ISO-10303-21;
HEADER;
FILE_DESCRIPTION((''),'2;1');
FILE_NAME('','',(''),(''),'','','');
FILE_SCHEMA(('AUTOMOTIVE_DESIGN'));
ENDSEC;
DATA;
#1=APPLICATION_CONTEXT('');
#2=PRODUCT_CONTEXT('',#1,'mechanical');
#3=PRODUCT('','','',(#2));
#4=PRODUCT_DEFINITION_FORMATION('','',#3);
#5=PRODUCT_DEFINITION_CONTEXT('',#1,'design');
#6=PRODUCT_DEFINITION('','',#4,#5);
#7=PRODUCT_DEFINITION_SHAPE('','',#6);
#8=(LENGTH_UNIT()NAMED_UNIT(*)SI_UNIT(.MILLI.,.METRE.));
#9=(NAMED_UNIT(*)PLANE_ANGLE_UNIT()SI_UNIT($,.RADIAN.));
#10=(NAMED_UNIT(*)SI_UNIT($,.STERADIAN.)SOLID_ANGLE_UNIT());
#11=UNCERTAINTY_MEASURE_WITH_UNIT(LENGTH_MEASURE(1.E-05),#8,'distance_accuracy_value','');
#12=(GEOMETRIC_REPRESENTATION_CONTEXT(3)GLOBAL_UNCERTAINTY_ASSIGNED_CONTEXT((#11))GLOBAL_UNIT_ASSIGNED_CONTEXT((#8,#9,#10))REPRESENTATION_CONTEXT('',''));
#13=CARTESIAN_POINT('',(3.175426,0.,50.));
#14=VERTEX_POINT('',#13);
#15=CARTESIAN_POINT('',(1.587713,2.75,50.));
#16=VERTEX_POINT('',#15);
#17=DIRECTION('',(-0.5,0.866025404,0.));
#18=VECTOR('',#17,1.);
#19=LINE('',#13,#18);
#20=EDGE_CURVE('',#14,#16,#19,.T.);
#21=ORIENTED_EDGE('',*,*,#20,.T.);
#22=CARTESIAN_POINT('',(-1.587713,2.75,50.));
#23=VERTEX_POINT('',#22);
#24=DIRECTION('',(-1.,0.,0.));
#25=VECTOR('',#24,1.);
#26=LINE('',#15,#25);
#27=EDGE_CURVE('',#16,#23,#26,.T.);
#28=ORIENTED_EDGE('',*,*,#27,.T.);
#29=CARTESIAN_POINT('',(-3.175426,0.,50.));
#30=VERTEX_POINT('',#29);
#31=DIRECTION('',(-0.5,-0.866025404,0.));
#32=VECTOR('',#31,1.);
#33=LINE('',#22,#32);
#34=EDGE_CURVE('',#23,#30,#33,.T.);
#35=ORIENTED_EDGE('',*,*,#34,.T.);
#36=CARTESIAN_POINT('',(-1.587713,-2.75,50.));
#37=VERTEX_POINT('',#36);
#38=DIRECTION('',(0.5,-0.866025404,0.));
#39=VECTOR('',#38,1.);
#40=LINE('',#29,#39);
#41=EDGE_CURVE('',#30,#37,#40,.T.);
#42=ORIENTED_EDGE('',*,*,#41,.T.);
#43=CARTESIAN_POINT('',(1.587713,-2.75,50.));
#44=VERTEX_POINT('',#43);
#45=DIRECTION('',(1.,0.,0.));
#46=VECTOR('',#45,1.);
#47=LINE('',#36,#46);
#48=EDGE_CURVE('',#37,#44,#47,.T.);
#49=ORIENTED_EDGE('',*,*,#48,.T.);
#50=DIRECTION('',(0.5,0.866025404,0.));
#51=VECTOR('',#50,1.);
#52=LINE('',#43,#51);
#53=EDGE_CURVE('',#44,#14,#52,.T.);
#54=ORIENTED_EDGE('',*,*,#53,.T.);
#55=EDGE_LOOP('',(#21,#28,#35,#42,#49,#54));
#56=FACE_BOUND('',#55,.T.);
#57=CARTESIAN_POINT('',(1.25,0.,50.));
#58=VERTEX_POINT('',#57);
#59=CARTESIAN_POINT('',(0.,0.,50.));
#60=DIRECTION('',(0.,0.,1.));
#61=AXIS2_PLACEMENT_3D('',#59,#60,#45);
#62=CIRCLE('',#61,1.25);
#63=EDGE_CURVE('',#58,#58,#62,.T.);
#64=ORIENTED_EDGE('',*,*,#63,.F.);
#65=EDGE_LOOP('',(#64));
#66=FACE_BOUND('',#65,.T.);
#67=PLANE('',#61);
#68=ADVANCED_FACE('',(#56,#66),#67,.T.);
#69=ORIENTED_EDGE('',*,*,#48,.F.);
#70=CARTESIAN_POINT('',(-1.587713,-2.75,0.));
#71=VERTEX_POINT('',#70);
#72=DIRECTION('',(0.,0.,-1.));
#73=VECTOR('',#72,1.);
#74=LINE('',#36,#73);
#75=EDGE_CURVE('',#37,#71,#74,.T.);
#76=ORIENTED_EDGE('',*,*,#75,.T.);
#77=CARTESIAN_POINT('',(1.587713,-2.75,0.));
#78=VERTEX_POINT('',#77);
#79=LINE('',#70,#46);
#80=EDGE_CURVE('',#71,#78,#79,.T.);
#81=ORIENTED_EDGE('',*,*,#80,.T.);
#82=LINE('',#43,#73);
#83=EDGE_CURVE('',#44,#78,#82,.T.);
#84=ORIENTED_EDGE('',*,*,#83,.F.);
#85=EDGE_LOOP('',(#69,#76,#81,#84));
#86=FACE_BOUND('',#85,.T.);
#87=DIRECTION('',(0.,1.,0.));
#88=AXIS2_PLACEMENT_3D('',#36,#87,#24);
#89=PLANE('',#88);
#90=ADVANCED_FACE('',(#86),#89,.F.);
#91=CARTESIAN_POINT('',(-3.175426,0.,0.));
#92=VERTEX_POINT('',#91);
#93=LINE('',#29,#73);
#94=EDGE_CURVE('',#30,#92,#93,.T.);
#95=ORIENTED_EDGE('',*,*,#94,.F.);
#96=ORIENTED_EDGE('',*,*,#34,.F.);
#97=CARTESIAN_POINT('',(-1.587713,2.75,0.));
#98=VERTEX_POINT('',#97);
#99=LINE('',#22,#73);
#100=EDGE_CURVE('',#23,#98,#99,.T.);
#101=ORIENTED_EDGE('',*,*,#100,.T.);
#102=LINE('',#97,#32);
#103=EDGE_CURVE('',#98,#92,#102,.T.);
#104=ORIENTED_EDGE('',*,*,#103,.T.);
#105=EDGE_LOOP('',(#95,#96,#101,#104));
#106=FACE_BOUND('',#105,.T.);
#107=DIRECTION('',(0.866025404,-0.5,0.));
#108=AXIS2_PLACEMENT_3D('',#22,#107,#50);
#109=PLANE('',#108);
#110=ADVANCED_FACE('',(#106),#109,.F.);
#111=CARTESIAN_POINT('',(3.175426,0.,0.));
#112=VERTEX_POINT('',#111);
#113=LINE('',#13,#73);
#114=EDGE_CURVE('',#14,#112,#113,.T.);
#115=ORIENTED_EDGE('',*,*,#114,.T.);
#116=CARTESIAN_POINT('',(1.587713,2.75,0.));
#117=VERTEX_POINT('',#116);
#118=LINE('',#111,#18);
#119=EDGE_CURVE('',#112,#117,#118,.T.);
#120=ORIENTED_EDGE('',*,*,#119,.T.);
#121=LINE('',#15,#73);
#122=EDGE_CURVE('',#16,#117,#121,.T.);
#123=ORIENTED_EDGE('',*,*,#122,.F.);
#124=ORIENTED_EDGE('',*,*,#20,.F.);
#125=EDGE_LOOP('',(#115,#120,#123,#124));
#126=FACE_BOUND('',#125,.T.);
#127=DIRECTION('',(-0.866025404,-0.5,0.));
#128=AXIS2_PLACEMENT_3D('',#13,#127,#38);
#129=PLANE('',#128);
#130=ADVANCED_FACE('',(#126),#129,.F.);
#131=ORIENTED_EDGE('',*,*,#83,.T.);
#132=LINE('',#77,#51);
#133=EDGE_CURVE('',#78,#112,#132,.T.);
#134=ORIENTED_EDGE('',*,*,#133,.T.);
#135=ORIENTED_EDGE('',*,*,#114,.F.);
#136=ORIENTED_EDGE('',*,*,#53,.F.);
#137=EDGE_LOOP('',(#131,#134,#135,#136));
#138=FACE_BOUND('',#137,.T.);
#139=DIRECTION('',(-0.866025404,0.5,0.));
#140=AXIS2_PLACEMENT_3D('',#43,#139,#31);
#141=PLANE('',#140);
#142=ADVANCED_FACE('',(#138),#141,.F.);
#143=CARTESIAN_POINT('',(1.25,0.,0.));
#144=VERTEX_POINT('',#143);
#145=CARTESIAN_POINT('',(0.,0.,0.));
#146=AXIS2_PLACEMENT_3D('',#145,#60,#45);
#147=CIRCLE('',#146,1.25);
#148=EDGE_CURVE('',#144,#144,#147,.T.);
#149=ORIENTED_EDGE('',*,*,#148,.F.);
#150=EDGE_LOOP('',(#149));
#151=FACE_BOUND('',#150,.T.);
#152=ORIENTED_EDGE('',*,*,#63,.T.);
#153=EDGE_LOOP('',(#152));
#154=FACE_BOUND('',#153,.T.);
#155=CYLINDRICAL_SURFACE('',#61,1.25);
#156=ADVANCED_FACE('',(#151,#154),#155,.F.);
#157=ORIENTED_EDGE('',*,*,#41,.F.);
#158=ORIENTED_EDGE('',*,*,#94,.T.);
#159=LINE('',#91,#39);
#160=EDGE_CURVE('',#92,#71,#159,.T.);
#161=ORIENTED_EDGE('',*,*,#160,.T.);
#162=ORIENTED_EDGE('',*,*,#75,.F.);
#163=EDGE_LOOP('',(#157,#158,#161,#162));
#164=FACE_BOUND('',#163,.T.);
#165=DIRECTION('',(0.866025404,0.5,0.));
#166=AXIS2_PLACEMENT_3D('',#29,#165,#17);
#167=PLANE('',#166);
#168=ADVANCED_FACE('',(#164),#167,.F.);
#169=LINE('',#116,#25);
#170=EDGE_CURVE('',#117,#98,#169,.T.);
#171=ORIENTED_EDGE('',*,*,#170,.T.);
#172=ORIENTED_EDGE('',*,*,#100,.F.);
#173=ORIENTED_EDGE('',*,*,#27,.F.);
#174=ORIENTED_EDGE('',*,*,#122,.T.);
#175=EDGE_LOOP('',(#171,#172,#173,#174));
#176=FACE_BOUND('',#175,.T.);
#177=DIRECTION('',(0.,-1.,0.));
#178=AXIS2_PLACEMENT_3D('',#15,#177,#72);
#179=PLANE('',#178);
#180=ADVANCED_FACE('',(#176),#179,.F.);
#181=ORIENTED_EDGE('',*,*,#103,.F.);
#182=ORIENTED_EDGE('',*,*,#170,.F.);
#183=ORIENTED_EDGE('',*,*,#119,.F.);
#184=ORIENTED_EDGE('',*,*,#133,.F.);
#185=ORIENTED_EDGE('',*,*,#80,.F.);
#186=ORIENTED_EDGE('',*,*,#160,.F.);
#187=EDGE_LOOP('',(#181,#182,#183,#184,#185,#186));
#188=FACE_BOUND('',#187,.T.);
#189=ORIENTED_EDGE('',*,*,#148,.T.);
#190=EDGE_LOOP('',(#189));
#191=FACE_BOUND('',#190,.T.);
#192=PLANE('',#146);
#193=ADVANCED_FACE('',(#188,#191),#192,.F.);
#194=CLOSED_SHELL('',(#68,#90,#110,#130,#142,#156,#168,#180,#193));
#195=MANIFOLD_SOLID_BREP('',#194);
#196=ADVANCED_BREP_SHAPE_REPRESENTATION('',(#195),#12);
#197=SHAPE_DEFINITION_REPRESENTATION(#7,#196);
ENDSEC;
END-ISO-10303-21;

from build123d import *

# Parameters (mm, degrees)
BOSS_EXTRUDE1_DEPTH   = 50
M3X0_5_TAPPED_HOLE1_D = 2.5


with BuildPart() as part:
    # Sketch1 → Boss-Extrude1 (new body)
    with BuildSketch(Plane.XY):
        Polygon((3.175426481, 0), (1.58771324, 2.75), (-1.58771324, 2.75), (-3.175426481, 0), (-1.58771324, -2.75), (1.58771324, -2.75), align=None)
    extrude(amount=BOSS_EXTRUDE1_DEPTH)

    # M3x0.5 Tapped Hole1 (through all)
    with Locations(Plane.XY.offset(50)):
        with Locations((0, 0)):
            Hole(M3X0_5_TAPPED_HOLE1_D / 2)


solid = part.part
